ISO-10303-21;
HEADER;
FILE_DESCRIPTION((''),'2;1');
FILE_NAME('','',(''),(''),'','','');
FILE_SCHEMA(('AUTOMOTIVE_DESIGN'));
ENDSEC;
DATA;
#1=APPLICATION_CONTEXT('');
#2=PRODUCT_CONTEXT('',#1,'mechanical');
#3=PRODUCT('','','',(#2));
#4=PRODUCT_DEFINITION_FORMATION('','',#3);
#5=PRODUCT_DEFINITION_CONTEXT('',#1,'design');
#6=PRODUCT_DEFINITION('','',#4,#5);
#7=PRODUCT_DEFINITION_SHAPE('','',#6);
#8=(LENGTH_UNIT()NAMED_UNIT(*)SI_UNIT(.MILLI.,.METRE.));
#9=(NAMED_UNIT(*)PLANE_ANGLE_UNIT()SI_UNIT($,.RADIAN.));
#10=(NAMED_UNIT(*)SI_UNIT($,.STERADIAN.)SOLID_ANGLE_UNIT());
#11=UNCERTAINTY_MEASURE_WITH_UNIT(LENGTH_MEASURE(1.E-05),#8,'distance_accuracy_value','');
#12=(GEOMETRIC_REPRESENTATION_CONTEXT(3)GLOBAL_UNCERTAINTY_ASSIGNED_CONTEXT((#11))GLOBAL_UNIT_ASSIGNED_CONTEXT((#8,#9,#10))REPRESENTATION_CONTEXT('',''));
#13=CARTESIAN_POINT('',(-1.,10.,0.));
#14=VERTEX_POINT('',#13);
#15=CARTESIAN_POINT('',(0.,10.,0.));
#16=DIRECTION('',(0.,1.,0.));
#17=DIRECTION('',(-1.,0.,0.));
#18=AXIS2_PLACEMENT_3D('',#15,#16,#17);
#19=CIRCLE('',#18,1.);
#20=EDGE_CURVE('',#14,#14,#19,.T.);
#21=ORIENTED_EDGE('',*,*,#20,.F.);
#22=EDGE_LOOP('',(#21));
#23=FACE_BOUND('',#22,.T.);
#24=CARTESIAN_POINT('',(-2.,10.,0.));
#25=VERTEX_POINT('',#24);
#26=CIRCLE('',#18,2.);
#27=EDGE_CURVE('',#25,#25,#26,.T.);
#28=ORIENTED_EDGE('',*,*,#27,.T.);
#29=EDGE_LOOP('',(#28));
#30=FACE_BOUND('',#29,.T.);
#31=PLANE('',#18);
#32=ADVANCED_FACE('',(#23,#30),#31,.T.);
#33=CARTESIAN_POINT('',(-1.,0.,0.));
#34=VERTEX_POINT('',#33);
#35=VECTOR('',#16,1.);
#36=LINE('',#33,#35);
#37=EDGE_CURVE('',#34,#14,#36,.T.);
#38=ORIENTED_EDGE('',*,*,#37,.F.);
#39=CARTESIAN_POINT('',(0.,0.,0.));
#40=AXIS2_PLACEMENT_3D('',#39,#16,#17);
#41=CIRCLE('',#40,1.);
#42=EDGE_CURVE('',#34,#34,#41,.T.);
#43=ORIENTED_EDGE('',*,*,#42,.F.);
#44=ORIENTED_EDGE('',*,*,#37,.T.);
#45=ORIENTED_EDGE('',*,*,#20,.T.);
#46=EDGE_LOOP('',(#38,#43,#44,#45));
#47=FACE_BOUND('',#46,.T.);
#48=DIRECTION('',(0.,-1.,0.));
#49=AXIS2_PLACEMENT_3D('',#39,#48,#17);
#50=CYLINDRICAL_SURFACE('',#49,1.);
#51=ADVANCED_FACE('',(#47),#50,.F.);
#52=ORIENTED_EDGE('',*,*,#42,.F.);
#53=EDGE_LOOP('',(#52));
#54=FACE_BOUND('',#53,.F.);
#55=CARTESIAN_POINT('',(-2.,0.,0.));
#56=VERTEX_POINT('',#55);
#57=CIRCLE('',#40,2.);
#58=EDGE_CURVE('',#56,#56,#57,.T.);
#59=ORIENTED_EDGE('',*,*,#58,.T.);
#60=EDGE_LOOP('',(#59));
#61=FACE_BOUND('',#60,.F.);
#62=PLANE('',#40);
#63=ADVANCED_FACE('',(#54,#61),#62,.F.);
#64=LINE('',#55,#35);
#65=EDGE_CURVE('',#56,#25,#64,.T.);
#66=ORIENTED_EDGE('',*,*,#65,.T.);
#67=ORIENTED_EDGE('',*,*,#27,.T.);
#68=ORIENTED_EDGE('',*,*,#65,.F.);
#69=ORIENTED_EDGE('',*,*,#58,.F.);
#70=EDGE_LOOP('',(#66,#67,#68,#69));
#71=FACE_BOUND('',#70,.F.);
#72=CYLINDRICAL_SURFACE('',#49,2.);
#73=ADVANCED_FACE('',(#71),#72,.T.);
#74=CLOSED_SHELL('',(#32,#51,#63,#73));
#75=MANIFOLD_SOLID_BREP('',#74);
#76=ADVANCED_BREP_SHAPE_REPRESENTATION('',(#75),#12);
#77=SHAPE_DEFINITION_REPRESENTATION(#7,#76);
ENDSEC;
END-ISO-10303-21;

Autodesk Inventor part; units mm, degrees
ref_plane "YZ Plane" through (0, 0, 0) normal (1, 0, 0) x (0, 1, 0)
ref_plane "XZ Plane" through (0, 0, 0) normal (0, 1, 0) x (-1, 0, 0)
ref_plane "XY Plane" through (0, 0, 0) normal (0, 0, 1) x (1, 0, 0)
sketch "スケッチ1" plane through (0, 0, 0) normal (0, 1, 0) x (-1, 0, 0)
  circle A0 centre (0, 0) radius 2
  circle A1 centre (0, 0) radius 1
  dimension "d0" = 2
  dimension "d1" = 4
extrude "押し出し1" add sketch "スケッチ1" along normal blind 10
properties part number "Spacer_M2x10"
